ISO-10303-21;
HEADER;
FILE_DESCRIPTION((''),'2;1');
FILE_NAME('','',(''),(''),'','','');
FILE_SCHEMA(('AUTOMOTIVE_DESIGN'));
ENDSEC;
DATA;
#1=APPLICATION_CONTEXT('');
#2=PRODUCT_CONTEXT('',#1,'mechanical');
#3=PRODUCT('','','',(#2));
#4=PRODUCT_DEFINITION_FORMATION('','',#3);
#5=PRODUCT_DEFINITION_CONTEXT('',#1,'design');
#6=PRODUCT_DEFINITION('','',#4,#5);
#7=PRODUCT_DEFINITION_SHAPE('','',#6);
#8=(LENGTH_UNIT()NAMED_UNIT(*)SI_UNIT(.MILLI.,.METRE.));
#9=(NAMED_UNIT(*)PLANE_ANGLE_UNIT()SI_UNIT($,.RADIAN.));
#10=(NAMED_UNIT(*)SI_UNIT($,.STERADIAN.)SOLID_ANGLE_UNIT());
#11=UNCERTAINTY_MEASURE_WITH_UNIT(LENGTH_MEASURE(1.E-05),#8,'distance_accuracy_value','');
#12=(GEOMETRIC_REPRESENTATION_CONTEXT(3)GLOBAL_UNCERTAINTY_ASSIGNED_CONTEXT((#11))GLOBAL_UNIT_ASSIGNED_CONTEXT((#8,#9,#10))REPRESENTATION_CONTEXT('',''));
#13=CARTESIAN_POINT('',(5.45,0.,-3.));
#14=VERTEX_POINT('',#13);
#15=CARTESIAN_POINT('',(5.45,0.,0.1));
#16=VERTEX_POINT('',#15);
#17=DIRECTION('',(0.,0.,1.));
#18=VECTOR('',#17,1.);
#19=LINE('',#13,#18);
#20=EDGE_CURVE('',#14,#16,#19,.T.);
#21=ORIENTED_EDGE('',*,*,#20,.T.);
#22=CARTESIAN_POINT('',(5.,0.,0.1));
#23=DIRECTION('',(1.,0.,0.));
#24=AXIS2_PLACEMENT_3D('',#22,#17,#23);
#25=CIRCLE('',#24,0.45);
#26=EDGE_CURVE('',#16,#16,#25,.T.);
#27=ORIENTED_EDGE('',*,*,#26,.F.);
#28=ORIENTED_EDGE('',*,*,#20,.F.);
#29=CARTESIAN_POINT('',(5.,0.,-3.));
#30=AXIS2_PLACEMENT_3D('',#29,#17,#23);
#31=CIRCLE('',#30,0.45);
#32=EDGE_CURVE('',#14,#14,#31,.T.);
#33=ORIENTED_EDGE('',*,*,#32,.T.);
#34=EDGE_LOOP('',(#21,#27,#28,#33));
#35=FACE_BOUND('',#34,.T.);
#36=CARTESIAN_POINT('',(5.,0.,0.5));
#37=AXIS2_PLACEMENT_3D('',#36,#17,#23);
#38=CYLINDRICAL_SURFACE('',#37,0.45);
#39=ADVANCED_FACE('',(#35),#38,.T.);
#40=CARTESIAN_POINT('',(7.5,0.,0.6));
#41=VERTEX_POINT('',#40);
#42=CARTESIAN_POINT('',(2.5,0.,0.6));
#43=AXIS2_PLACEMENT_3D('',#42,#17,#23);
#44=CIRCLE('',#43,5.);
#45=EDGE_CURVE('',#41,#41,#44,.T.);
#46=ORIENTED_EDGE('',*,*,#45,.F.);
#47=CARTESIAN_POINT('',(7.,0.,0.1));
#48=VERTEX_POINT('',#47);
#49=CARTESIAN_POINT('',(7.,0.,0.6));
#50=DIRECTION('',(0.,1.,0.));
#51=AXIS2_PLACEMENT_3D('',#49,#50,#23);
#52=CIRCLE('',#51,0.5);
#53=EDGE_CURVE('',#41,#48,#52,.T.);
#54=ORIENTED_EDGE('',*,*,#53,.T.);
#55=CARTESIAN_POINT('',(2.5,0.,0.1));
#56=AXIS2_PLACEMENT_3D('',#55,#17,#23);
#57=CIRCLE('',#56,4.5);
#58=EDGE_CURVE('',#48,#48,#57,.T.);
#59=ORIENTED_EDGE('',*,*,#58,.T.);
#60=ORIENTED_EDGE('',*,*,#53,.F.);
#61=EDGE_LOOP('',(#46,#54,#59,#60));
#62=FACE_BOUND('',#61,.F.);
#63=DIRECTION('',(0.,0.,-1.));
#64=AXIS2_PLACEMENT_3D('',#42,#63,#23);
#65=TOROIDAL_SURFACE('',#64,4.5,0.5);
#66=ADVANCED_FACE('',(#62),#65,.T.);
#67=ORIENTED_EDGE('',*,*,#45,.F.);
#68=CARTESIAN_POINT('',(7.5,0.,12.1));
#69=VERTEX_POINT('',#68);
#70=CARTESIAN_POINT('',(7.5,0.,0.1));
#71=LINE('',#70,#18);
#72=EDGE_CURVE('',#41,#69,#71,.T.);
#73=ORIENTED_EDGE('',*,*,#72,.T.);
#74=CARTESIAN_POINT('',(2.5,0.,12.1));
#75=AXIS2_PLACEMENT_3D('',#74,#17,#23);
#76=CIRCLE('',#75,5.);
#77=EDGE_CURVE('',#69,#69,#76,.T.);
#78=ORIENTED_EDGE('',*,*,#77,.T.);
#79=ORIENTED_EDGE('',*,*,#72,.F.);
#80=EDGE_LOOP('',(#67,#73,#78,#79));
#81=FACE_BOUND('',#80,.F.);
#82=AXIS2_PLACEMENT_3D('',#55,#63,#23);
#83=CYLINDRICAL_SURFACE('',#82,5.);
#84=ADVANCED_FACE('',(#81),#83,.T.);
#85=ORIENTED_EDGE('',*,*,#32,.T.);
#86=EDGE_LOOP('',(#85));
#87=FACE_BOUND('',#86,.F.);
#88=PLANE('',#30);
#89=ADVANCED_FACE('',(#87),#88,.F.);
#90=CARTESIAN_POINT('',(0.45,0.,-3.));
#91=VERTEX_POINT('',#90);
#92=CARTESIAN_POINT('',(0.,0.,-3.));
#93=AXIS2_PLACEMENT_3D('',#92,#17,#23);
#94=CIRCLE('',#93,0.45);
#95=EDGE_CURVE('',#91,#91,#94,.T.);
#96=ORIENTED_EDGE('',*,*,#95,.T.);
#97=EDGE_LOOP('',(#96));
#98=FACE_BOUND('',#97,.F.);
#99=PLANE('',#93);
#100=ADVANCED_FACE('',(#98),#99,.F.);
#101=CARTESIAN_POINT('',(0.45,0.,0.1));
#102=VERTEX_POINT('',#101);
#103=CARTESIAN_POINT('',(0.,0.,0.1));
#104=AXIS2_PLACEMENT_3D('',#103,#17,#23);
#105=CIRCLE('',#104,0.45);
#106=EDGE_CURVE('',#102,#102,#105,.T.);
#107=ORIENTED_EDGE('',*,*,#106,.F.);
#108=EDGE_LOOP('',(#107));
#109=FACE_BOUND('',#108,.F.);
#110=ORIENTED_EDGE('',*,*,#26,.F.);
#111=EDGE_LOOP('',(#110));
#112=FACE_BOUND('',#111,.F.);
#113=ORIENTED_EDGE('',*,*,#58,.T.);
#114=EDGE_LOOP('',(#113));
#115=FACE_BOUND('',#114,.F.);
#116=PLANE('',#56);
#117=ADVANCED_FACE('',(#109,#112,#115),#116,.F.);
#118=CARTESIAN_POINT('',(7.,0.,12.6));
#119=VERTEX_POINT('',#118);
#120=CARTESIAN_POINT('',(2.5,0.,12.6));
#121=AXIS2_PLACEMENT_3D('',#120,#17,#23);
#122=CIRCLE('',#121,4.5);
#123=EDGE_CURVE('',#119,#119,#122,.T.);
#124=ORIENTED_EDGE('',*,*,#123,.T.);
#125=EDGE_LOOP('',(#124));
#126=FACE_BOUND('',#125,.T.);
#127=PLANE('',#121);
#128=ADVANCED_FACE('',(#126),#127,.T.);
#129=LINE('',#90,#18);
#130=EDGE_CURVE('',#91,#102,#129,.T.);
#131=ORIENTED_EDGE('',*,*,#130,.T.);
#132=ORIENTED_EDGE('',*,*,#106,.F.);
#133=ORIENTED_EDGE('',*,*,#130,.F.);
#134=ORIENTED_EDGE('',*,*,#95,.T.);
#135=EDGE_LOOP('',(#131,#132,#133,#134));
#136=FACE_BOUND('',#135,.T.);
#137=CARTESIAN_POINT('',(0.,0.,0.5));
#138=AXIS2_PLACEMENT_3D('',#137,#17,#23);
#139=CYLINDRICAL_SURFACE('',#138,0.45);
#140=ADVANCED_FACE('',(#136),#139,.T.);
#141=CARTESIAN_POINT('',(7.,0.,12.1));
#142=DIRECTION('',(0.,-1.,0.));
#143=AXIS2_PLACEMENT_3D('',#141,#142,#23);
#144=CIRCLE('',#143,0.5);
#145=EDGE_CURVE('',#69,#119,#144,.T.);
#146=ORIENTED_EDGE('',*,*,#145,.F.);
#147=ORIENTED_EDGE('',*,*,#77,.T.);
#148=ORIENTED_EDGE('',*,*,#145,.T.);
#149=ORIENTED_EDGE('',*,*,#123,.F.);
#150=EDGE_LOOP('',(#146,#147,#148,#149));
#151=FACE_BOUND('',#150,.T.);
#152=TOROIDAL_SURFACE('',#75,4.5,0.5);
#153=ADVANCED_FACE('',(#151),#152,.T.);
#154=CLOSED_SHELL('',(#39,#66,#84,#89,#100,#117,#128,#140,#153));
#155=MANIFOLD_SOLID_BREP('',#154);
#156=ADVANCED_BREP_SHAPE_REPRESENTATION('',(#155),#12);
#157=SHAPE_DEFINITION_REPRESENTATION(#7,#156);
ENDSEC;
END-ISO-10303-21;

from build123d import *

# Parameters (mm, degrees)
SKETCH001_R       = 0.45
PAD001_DEPTH      = 6.25
PAD001_DEPTH_BACK = 3.5
SKETCH_R          = 5
PAD_DEPTH         = 12.5
FILLET_R          = 0.5


with BuildPart() as pad001:
    # Sketch001 → Pad001 (new body, two sides)
    with BuildSketch(Plane.XY.offset(0.5)) as pad001_sk:
        Circle(SKETCH001_R)
        with Locations((5, 0)):
            Circle(SKETCH001_R)
    extrude(amount=PAD001_DEPTH)
    extrude(pad001_sk.sketch, amount=-PAD001_DEPTH_BACK)


with BuildPart() as fillet_mp_cp:
    # Sketch → Pad (new body)
    with BuildSketch(Plane.XY.offset(0.1)):
        with Locations((2.5, 0)):
            Circle(SKETCH_R)
    extrude(amount=PAD_DEPTH)

    # Fillet
    fillet_edges = [fillet_mp_cp.edges().sort_by_distance(p)[0] for p in [
        (-2.5, 0, 0.1),
        (-2.5, 0, 12.6),
    ]]
    fillet(fillet_edges, radius=FILLET_R)

    # Fillet_mp_cp: union Pad001
    add(pad001.part)


solid = fillet_mp_cp.part
